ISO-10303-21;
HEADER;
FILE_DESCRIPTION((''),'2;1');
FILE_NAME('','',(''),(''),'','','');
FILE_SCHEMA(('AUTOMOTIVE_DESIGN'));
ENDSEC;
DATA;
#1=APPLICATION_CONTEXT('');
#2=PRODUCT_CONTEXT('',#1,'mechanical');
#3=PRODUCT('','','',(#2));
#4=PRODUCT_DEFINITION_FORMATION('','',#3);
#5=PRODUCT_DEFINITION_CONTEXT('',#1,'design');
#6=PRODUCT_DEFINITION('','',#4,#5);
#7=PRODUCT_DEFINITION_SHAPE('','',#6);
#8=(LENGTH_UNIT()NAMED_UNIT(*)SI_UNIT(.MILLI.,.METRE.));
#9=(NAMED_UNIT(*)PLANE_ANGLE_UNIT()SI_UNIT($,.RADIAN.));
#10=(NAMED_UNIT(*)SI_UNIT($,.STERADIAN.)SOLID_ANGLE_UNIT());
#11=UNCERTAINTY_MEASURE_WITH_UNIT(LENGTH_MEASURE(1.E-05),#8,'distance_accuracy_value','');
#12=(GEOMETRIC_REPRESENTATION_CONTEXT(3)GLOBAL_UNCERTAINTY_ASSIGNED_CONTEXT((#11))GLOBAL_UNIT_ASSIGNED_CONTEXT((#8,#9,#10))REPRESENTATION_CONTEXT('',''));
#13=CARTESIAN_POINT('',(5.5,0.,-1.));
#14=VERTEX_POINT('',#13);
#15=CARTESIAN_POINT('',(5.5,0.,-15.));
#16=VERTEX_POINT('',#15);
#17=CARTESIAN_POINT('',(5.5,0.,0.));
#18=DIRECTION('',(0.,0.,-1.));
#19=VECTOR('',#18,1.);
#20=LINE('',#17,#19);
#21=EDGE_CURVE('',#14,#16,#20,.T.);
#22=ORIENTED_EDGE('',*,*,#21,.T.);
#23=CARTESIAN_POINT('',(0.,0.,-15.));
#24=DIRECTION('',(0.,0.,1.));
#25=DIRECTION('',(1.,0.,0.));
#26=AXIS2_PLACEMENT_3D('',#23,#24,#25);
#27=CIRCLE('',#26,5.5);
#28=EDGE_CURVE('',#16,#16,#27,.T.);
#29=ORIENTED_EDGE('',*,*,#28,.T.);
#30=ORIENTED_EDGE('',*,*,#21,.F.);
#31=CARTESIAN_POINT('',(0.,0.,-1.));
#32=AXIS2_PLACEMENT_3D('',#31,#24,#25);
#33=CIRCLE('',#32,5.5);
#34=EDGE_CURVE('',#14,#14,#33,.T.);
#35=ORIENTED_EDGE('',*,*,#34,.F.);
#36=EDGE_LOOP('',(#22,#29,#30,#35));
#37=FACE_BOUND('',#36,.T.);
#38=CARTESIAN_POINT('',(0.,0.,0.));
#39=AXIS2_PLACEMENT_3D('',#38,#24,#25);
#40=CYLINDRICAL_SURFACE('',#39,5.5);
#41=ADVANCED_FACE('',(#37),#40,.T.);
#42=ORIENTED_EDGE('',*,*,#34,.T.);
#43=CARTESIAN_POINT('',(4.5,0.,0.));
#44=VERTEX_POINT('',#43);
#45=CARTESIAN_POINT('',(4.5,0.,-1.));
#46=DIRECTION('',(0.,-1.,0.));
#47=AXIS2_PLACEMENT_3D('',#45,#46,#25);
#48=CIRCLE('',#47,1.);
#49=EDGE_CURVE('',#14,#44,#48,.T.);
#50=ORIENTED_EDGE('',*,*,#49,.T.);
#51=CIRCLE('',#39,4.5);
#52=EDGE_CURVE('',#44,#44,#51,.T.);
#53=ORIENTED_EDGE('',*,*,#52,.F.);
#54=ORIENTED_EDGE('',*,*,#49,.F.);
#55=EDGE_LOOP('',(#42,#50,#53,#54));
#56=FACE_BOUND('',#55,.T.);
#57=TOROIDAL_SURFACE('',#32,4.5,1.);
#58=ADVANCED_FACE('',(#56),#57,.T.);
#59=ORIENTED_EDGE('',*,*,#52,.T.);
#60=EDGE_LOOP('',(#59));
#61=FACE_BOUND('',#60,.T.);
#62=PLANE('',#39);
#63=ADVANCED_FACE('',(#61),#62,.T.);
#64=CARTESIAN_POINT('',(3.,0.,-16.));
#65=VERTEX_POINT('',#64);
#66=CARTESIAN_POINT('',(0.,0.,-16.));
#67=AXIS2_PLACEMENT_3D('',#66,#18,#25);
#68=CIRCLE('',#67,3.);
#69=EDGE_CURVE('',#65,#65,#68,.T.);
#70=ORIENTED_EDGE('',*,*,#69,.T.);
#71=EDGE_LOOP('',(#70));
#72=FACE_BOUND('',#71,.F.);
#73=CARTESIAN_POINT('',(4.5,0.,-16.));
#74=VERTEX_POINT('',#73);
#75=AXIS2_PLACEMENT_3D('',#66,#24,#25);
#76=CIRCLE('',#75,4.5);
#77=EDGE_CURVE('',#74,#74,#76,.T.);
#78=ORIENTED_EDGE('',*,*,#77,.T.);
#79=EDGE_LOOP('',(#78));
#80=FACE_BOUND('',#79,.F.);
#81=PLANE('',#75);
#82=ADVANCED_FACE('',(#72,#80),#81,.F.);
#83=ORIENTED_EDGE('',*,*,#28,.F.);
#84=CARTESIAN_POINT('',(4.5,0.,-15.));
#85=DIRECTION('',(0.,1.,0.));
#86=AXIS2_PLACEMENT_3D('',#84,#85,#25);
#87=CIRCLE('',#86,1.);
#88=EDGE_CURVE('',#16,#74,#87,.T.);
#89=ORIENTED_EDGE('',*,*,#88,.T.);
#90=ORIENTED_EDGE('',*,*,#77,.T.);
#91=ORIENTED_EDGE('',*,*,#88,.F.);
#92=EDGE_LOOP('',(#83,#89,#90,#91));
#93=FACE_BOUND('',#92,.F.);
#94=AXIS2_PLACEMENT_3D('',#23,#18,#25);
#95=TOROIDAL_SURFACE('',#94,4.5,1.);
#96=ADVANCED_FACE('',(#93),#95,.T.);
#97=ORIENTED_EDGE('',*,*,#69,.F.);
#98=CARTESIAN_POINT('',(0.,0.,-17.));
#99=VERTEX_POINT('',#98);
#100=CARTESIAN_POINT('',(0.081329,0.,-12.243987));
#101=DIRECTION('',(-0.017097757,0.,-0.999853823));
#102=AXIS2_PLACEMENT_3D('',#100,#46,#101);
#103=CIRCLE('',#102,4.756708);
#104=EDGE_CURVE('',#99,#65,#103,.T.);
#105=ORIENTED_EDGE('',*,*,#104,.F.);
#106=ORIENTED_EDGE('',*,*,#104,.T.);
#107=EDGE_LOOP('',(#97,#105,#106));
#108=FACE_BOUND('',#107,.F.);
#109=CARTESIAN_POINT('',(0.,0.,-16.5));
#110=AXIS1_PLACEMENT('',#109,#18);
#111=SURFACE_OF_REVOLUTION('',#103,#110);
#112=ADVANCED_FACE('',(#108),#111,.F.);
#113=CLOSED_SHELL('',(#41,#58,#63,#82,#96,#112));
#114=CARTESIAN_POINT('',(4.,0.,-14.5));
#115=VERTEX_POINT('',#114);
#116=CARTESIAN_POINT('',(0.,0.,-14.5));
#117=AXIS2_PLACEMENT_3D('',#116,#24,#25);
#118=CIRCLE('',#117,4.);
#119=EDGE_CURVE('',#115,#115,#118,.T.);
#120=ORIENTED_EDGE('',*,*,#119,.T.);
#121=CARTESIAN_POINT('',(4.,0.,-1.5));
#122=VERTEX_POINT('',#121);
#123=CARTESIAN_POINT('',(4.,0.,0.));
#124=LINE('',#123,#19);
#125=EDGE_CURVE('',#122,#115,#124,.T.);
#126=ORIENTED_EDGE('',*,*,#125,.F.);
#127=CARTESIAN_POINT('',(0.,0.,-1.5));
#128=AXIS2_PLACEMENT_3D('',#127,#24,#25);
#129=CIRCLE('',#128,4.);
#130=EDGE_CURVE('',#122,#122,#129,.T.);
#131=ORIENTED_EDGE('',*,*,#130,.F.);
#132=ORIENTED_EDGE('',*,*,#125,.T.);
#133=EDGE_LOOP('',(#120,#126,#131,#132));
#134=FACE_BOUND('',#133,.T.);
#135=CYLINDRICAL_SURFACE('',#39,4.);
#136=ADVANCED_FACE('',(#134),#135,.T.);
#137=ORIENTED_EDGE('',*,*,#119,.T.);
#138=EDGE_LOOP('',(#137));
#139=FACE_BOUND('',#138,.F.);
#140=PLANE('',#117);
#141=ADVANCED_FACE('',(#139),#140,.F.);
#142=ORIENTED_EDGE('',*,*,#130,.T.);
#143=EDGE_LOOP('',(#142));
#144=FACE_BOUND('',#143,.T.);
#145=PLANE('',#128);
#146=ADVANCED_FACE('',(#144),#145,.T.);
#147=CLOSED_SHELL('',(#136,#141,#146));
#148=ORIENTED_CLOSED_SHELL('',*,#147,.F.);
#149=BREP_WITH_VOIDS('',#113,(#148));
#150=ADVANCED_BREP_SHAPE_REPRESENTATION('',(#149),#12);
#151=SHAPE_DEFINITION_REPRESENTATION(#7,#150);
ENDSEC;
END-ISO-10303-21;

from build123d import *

# Parameters (mm, degrees)
F0_R     = 5.5
F1_DEPTH = 16
F2_R     = 1
F3_T     = -1.5
F6_R     = 1


with BuildPart() as f1:
    # F0 (on Top) → F1 (new body)
    with BuildSketch(Plane.XY):
        Circle(F0_R)
    extrude(amount=-F1_DEPTH)

    # F2
    f2_edges = [f1.edges().sort_by_distance(p)[0] for p in [
        (-5.5, 0, -16),
    ]]
    fillet(f2_edges, radius=F2_R)

    # F3 (hollow: no face is removed)
    offset(amount=F3_T, mode=Mode.SUBTRACT)

    # F4 (on Front) → F5 (revolve)
    with BuildSketch(Plane.XZ):
        with BuildLine():
            Line((3, -16), (0, -16))
            Line((0, -16), (0, -17))
            ThreePointArc((0, -17), (1.5855322487, -16.7565967462), (3, -16))
        make_face()
    revolve(axis=Axis((0, 0, -16.5), (0, 0, -1)))

    # F6
    f6_edges = [f1.edges().sort_by_distance(p)[0] for p in [
        (-5.5, 0, 0),
    ]]
    fillet(f6_edges, radius=F6_R)


solid = f1.part
